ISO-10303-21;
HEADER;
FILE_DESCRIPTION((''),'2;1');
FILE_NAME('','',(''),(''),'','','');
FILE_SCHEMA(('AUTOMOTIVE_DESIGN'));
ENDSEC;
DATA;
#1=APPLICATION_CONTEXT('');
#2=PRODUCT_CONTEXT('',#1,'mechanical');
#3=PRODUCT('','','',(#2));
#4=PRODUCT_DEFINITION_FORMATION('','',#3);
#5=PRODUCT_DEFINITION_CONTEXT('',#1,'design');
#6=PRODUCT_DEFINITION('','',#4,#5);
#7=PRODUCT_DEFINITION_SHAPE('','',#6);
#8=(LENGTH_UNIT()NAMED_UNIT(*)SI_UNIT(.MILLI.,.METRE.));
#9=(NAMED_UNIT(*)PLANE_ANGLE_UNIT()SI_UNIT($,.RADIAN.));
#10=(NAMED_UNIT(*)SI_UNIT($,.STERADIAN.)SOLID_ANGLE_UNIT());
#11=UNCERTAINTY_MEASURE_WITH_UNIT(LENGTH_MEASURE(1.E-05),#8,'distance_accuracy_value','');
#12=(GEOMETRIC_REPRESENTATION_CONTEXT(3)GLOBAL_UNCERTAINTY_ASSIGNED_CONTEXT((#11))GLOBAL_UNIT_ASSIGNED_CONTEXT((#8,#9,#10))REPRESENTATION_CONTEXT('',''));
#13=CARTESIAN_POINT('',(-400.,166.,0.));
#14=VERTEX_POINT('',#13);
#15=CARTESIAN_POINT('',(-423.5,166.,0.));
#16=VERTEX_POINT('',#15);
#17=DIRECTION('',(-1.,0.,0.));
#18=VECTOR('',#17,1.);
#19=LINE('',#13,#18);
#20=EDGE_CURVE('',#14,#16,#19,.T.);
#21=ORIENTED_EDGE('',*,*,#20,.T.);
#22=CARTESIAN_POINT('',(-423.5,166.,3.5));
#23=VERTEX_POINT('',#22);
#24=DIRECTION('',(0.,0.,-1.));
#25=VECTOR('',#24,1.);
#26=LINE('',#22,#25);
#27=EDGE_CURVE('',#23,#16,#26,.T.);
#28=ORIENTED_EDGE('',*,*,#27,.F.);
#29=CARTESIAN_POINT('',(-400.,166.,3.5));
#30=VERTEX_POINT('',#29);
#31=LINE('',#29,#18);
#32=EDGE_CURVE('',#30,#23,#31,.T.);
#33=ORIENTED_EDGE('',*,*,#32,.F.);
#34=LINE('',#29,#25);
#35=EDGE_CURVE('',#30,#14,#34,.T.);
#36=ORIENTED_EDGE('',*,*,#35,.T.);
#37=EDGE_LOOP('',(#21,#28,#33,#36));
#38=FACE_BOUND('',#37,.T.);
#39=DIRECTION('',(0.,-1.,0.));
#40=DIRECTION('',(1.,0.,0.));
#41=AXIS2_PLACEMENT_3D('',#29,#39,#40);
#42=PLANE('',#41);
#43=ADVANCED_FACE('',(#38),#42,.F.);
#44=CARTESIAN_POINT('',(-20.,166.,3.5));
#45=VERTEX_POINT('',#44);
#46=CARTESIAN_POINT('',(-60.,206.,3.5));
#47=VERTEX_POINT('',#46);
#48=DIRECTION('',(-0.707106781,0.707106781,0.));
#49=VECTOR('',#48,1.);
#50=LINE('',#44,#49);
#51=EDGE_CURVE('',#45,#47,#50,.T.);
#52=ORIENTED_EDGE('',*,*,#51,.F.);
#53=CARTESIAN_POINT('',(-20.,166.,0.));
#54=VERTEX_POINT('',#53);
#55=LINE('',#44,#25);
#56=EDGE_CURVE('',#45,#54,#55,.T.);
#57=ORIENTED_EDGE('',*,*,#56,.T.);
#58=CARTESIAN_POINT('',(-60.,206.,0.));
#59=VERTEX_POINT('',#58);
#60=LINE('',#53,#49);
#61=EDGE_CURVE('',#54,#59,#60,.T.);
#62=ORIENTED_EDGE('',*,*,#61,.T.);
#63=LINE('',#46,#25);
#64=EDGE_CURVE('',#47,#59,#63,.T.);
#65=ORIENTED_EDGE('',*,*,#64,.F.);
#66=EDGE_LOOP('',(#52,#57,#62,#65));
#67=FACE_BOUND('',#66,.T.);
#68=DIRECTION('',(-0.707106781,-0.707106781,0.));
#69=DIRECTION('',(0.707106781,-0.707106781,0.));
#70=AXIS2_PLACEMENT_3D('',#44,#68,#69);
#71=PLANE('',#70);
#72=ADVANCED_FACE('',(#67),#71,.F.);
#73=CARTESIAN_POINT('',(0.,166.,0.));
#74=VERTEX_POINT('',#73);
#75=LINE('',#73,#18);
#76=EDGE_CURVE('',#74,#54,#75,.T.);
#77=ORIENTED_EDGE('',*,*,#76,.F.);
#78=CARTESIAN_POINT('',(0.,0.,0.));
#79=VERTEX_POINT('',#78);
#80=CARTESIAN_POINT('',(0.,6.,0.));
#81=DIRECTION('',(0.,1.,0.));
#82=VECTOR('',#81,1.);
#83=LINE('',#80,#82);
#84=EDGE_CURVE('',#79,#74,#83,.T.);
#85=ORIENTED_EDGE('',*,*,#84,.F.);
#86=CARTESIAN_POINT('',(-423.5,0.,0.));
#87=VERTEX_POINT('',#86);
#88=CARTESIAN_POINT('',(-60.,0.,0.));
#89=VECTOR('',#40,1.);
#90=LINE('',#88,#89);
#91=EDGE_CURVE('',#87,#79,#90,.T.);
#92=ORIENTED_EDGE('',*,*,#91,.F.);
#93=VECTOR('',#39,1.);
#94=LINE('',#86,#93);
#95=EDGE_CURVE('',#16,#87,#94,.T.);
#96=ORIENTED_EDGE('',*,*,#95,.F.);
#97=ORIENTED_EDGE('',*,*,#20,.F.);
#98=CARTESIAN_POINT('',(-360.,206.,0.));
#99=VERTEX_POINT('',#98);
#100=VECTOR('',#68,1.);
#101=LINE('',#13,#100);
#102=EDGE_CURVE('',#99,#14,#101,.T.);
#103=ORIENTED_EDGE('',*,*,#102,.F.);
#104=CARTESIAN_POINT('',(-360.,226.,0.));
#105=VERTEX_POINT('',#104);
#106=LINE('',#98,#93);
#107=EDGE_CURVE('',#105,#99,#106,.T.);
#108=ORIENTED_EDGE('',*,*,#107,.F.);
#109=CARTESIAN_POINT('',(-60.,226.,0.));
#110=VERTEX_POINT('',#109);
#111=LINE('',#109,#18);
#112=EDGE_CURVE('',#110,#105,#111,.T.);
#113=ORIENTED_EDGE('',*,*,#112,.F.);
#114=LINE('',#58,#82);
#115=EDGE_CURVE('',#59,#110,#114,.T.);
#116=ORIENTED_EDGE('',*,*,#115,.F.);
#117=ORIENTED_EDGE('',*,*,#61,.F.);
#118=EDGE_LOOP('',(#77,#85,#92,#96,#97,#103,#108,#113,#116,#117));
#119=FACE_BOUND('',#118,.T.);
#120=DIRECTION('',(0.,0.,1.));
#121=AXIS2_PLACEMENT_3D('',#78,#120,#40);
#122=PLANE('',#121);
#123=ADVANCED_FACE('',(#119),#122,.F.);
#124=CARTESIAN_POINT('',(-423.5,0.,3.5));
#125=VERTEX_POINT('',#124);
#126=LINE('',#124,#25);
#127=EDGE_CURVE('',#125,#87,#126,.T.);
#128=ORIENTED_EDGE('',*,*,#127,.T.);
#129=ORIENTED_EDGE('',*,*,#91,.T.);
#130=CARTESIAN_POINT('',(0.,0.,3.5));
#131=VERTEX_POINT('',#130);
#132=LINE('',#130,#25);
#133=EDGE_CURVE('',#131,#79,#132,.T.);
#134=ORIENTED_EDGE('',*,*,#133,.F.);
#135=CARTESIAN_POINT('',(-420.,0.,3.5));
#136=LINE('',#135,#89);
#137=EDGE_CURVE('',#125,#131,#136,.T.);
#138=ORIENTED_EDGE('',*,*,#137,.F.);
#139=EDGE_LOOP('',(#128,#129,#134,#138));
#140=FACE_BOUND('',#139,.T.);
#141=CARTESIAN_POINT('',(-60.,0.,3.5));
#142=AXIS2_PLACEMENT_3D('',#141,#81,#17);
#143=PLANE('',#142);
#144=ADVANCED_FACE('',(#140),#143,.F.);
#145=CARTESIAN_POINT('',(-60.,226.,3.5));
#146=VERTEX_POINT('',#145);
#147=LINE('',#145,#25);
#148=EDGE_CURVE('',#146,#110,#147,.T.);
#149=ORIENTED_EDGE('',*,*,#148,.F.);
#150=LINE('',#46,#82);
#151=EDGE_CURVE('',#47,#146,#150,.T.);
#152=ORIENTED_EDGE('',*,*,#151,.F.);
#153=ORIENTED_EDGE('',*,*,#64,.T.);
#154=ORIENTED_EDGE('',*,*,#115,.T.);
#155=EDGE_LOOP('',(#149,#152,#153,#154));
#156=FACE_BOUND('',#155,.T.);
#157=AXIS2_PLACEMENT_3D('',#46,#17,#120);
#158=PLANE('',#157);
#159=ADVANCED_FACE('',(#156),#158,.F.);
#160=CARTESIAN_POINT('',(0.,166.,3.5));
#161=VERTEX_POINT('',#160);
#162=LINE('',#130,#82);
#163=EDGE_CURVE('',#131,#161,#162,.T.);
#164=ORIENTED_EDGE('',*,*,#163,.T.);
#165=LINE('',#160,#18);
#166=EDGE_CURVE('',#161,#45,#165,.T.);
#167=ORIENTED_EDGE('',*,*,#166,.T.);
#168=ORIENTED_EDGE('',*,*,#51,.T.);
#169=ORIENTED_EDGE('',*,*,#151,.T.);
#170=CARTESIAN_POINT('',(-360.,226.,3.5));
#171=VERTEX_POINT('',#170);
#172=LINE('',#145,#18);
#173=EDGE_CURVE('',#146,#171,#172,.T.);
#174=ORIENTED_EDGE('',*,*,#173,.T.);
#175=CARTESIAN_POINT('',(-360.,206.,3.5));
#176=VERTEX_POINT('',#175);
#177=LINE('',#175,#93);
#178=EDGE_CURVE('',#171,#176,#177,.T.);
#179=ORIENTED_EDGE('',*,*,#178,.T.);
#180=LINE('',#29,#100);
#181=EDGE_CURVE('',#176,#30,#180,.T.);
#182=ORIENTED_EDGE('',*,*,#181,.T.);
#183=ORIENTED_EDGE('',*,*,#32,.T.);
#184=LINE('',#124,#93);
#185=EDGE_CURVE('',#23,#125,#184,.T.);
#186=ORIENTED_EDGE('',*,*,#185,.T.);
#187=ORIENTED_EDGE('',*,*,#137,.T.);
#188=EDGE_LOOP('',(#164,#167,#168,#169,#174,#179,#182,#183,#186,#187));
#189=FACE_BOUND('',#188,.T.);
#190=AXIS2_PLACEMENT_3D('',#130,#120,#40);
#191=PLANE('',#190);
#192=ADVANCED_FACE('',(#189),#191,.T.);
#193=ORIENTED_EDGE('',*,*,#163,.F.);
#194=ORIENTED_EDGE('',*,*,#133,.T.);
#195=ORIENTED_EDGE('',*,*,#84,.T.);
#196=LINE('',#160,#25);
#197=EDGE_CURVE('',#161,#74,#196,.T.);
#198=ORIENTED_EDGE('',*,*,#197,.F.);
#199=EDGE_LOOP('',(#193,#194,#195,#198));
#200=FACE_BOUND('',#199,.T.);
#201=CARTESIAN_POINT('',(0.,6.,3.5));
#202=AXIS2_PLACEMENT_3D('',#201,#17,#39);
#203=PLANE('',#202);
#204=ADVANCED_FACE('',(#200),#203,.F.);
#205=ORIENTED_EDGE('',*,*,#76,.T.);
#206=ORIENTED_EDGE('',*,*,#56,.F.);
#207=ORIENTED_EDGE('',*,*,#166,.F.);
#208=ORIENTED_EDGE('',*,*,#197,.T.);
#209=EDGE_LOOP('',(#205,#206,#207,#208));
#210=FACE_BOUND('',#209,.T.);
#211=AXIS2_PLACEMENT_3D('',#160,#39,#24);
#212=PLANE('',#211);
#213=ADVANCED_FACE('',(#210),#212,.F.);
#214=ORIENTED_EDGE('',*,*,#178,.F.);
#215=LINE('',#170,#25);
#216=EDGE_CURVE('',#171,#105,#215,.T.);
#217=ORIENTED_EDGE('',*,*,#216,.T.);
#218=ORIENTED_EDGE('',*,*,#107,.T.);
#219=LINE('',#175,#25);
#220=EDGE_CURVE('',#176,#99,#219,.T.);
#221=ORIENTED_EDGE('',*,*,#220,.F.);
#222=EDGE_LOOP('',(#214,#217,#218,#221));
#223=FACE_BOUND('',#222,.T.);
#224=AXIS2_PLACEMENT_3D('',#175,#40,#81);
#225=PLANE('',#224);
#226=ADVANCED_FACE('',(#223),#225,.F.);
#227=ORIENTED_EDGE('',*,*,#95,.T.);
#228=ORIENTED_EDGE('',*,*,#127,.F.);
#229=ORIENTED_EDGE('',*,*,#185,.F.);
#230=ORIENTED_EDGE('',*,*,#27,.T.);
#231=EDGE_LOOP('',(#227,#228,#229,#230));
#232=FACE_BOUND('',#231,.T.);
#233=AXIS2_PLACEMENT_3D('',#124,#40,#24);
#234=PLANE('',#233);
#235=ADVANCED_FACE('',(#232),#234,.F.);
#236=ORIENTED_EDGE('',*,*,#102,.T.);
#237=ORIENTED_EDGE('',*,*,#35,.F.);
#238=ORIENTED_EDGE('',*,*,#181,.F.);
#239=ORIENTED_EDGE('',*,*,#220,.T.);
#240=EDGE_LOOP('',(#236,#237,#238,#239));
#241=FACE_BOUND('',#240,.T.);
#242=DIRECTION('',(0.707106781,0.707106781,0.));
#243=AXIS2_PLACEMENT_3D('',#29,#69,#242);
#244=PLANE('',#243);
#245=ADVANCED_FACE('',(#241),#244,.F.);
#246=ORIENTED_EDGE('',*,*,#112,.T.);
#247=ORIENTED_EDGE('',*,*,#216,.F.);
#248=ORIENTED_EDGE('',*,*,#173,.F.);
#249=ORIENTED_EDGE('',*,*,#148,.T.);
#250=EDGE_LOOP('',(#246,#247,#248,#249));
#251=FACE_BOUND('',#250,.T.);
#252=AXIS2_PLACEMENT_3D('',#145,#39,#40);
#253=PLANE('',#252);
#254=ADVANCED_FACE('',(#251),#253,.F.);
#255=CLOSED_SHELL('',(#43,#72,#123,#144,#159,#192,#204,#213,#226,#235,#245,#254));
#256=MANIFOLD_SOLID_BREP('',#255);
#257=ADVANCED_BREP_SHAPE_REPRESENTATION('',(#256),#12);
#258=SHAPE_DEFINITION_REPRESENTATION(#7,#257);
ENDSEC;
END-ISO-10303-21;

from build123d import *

# Parameters (mm, degrees)
BOSS_EXTRUDE2_DEPTH = 3.5


with BuildPart() as part:
    # Sketch1 → Boss-Extrude2 (new body)
    with BuildSketch(Plane.XY):
        Polygon((-420, 0), (-423.5, 0), (-423.5, 166), (-400, 166), (-360, 206), (-360, 226), (-60, 226), (-60, 206), (-20, 166), (0, 166), (0, 6), (0, 0), (-60, 0), (-360, 0), align=None)
    extrude(amount=BOSS_EXTRUDE2_DEPTH)


solid = part.part
